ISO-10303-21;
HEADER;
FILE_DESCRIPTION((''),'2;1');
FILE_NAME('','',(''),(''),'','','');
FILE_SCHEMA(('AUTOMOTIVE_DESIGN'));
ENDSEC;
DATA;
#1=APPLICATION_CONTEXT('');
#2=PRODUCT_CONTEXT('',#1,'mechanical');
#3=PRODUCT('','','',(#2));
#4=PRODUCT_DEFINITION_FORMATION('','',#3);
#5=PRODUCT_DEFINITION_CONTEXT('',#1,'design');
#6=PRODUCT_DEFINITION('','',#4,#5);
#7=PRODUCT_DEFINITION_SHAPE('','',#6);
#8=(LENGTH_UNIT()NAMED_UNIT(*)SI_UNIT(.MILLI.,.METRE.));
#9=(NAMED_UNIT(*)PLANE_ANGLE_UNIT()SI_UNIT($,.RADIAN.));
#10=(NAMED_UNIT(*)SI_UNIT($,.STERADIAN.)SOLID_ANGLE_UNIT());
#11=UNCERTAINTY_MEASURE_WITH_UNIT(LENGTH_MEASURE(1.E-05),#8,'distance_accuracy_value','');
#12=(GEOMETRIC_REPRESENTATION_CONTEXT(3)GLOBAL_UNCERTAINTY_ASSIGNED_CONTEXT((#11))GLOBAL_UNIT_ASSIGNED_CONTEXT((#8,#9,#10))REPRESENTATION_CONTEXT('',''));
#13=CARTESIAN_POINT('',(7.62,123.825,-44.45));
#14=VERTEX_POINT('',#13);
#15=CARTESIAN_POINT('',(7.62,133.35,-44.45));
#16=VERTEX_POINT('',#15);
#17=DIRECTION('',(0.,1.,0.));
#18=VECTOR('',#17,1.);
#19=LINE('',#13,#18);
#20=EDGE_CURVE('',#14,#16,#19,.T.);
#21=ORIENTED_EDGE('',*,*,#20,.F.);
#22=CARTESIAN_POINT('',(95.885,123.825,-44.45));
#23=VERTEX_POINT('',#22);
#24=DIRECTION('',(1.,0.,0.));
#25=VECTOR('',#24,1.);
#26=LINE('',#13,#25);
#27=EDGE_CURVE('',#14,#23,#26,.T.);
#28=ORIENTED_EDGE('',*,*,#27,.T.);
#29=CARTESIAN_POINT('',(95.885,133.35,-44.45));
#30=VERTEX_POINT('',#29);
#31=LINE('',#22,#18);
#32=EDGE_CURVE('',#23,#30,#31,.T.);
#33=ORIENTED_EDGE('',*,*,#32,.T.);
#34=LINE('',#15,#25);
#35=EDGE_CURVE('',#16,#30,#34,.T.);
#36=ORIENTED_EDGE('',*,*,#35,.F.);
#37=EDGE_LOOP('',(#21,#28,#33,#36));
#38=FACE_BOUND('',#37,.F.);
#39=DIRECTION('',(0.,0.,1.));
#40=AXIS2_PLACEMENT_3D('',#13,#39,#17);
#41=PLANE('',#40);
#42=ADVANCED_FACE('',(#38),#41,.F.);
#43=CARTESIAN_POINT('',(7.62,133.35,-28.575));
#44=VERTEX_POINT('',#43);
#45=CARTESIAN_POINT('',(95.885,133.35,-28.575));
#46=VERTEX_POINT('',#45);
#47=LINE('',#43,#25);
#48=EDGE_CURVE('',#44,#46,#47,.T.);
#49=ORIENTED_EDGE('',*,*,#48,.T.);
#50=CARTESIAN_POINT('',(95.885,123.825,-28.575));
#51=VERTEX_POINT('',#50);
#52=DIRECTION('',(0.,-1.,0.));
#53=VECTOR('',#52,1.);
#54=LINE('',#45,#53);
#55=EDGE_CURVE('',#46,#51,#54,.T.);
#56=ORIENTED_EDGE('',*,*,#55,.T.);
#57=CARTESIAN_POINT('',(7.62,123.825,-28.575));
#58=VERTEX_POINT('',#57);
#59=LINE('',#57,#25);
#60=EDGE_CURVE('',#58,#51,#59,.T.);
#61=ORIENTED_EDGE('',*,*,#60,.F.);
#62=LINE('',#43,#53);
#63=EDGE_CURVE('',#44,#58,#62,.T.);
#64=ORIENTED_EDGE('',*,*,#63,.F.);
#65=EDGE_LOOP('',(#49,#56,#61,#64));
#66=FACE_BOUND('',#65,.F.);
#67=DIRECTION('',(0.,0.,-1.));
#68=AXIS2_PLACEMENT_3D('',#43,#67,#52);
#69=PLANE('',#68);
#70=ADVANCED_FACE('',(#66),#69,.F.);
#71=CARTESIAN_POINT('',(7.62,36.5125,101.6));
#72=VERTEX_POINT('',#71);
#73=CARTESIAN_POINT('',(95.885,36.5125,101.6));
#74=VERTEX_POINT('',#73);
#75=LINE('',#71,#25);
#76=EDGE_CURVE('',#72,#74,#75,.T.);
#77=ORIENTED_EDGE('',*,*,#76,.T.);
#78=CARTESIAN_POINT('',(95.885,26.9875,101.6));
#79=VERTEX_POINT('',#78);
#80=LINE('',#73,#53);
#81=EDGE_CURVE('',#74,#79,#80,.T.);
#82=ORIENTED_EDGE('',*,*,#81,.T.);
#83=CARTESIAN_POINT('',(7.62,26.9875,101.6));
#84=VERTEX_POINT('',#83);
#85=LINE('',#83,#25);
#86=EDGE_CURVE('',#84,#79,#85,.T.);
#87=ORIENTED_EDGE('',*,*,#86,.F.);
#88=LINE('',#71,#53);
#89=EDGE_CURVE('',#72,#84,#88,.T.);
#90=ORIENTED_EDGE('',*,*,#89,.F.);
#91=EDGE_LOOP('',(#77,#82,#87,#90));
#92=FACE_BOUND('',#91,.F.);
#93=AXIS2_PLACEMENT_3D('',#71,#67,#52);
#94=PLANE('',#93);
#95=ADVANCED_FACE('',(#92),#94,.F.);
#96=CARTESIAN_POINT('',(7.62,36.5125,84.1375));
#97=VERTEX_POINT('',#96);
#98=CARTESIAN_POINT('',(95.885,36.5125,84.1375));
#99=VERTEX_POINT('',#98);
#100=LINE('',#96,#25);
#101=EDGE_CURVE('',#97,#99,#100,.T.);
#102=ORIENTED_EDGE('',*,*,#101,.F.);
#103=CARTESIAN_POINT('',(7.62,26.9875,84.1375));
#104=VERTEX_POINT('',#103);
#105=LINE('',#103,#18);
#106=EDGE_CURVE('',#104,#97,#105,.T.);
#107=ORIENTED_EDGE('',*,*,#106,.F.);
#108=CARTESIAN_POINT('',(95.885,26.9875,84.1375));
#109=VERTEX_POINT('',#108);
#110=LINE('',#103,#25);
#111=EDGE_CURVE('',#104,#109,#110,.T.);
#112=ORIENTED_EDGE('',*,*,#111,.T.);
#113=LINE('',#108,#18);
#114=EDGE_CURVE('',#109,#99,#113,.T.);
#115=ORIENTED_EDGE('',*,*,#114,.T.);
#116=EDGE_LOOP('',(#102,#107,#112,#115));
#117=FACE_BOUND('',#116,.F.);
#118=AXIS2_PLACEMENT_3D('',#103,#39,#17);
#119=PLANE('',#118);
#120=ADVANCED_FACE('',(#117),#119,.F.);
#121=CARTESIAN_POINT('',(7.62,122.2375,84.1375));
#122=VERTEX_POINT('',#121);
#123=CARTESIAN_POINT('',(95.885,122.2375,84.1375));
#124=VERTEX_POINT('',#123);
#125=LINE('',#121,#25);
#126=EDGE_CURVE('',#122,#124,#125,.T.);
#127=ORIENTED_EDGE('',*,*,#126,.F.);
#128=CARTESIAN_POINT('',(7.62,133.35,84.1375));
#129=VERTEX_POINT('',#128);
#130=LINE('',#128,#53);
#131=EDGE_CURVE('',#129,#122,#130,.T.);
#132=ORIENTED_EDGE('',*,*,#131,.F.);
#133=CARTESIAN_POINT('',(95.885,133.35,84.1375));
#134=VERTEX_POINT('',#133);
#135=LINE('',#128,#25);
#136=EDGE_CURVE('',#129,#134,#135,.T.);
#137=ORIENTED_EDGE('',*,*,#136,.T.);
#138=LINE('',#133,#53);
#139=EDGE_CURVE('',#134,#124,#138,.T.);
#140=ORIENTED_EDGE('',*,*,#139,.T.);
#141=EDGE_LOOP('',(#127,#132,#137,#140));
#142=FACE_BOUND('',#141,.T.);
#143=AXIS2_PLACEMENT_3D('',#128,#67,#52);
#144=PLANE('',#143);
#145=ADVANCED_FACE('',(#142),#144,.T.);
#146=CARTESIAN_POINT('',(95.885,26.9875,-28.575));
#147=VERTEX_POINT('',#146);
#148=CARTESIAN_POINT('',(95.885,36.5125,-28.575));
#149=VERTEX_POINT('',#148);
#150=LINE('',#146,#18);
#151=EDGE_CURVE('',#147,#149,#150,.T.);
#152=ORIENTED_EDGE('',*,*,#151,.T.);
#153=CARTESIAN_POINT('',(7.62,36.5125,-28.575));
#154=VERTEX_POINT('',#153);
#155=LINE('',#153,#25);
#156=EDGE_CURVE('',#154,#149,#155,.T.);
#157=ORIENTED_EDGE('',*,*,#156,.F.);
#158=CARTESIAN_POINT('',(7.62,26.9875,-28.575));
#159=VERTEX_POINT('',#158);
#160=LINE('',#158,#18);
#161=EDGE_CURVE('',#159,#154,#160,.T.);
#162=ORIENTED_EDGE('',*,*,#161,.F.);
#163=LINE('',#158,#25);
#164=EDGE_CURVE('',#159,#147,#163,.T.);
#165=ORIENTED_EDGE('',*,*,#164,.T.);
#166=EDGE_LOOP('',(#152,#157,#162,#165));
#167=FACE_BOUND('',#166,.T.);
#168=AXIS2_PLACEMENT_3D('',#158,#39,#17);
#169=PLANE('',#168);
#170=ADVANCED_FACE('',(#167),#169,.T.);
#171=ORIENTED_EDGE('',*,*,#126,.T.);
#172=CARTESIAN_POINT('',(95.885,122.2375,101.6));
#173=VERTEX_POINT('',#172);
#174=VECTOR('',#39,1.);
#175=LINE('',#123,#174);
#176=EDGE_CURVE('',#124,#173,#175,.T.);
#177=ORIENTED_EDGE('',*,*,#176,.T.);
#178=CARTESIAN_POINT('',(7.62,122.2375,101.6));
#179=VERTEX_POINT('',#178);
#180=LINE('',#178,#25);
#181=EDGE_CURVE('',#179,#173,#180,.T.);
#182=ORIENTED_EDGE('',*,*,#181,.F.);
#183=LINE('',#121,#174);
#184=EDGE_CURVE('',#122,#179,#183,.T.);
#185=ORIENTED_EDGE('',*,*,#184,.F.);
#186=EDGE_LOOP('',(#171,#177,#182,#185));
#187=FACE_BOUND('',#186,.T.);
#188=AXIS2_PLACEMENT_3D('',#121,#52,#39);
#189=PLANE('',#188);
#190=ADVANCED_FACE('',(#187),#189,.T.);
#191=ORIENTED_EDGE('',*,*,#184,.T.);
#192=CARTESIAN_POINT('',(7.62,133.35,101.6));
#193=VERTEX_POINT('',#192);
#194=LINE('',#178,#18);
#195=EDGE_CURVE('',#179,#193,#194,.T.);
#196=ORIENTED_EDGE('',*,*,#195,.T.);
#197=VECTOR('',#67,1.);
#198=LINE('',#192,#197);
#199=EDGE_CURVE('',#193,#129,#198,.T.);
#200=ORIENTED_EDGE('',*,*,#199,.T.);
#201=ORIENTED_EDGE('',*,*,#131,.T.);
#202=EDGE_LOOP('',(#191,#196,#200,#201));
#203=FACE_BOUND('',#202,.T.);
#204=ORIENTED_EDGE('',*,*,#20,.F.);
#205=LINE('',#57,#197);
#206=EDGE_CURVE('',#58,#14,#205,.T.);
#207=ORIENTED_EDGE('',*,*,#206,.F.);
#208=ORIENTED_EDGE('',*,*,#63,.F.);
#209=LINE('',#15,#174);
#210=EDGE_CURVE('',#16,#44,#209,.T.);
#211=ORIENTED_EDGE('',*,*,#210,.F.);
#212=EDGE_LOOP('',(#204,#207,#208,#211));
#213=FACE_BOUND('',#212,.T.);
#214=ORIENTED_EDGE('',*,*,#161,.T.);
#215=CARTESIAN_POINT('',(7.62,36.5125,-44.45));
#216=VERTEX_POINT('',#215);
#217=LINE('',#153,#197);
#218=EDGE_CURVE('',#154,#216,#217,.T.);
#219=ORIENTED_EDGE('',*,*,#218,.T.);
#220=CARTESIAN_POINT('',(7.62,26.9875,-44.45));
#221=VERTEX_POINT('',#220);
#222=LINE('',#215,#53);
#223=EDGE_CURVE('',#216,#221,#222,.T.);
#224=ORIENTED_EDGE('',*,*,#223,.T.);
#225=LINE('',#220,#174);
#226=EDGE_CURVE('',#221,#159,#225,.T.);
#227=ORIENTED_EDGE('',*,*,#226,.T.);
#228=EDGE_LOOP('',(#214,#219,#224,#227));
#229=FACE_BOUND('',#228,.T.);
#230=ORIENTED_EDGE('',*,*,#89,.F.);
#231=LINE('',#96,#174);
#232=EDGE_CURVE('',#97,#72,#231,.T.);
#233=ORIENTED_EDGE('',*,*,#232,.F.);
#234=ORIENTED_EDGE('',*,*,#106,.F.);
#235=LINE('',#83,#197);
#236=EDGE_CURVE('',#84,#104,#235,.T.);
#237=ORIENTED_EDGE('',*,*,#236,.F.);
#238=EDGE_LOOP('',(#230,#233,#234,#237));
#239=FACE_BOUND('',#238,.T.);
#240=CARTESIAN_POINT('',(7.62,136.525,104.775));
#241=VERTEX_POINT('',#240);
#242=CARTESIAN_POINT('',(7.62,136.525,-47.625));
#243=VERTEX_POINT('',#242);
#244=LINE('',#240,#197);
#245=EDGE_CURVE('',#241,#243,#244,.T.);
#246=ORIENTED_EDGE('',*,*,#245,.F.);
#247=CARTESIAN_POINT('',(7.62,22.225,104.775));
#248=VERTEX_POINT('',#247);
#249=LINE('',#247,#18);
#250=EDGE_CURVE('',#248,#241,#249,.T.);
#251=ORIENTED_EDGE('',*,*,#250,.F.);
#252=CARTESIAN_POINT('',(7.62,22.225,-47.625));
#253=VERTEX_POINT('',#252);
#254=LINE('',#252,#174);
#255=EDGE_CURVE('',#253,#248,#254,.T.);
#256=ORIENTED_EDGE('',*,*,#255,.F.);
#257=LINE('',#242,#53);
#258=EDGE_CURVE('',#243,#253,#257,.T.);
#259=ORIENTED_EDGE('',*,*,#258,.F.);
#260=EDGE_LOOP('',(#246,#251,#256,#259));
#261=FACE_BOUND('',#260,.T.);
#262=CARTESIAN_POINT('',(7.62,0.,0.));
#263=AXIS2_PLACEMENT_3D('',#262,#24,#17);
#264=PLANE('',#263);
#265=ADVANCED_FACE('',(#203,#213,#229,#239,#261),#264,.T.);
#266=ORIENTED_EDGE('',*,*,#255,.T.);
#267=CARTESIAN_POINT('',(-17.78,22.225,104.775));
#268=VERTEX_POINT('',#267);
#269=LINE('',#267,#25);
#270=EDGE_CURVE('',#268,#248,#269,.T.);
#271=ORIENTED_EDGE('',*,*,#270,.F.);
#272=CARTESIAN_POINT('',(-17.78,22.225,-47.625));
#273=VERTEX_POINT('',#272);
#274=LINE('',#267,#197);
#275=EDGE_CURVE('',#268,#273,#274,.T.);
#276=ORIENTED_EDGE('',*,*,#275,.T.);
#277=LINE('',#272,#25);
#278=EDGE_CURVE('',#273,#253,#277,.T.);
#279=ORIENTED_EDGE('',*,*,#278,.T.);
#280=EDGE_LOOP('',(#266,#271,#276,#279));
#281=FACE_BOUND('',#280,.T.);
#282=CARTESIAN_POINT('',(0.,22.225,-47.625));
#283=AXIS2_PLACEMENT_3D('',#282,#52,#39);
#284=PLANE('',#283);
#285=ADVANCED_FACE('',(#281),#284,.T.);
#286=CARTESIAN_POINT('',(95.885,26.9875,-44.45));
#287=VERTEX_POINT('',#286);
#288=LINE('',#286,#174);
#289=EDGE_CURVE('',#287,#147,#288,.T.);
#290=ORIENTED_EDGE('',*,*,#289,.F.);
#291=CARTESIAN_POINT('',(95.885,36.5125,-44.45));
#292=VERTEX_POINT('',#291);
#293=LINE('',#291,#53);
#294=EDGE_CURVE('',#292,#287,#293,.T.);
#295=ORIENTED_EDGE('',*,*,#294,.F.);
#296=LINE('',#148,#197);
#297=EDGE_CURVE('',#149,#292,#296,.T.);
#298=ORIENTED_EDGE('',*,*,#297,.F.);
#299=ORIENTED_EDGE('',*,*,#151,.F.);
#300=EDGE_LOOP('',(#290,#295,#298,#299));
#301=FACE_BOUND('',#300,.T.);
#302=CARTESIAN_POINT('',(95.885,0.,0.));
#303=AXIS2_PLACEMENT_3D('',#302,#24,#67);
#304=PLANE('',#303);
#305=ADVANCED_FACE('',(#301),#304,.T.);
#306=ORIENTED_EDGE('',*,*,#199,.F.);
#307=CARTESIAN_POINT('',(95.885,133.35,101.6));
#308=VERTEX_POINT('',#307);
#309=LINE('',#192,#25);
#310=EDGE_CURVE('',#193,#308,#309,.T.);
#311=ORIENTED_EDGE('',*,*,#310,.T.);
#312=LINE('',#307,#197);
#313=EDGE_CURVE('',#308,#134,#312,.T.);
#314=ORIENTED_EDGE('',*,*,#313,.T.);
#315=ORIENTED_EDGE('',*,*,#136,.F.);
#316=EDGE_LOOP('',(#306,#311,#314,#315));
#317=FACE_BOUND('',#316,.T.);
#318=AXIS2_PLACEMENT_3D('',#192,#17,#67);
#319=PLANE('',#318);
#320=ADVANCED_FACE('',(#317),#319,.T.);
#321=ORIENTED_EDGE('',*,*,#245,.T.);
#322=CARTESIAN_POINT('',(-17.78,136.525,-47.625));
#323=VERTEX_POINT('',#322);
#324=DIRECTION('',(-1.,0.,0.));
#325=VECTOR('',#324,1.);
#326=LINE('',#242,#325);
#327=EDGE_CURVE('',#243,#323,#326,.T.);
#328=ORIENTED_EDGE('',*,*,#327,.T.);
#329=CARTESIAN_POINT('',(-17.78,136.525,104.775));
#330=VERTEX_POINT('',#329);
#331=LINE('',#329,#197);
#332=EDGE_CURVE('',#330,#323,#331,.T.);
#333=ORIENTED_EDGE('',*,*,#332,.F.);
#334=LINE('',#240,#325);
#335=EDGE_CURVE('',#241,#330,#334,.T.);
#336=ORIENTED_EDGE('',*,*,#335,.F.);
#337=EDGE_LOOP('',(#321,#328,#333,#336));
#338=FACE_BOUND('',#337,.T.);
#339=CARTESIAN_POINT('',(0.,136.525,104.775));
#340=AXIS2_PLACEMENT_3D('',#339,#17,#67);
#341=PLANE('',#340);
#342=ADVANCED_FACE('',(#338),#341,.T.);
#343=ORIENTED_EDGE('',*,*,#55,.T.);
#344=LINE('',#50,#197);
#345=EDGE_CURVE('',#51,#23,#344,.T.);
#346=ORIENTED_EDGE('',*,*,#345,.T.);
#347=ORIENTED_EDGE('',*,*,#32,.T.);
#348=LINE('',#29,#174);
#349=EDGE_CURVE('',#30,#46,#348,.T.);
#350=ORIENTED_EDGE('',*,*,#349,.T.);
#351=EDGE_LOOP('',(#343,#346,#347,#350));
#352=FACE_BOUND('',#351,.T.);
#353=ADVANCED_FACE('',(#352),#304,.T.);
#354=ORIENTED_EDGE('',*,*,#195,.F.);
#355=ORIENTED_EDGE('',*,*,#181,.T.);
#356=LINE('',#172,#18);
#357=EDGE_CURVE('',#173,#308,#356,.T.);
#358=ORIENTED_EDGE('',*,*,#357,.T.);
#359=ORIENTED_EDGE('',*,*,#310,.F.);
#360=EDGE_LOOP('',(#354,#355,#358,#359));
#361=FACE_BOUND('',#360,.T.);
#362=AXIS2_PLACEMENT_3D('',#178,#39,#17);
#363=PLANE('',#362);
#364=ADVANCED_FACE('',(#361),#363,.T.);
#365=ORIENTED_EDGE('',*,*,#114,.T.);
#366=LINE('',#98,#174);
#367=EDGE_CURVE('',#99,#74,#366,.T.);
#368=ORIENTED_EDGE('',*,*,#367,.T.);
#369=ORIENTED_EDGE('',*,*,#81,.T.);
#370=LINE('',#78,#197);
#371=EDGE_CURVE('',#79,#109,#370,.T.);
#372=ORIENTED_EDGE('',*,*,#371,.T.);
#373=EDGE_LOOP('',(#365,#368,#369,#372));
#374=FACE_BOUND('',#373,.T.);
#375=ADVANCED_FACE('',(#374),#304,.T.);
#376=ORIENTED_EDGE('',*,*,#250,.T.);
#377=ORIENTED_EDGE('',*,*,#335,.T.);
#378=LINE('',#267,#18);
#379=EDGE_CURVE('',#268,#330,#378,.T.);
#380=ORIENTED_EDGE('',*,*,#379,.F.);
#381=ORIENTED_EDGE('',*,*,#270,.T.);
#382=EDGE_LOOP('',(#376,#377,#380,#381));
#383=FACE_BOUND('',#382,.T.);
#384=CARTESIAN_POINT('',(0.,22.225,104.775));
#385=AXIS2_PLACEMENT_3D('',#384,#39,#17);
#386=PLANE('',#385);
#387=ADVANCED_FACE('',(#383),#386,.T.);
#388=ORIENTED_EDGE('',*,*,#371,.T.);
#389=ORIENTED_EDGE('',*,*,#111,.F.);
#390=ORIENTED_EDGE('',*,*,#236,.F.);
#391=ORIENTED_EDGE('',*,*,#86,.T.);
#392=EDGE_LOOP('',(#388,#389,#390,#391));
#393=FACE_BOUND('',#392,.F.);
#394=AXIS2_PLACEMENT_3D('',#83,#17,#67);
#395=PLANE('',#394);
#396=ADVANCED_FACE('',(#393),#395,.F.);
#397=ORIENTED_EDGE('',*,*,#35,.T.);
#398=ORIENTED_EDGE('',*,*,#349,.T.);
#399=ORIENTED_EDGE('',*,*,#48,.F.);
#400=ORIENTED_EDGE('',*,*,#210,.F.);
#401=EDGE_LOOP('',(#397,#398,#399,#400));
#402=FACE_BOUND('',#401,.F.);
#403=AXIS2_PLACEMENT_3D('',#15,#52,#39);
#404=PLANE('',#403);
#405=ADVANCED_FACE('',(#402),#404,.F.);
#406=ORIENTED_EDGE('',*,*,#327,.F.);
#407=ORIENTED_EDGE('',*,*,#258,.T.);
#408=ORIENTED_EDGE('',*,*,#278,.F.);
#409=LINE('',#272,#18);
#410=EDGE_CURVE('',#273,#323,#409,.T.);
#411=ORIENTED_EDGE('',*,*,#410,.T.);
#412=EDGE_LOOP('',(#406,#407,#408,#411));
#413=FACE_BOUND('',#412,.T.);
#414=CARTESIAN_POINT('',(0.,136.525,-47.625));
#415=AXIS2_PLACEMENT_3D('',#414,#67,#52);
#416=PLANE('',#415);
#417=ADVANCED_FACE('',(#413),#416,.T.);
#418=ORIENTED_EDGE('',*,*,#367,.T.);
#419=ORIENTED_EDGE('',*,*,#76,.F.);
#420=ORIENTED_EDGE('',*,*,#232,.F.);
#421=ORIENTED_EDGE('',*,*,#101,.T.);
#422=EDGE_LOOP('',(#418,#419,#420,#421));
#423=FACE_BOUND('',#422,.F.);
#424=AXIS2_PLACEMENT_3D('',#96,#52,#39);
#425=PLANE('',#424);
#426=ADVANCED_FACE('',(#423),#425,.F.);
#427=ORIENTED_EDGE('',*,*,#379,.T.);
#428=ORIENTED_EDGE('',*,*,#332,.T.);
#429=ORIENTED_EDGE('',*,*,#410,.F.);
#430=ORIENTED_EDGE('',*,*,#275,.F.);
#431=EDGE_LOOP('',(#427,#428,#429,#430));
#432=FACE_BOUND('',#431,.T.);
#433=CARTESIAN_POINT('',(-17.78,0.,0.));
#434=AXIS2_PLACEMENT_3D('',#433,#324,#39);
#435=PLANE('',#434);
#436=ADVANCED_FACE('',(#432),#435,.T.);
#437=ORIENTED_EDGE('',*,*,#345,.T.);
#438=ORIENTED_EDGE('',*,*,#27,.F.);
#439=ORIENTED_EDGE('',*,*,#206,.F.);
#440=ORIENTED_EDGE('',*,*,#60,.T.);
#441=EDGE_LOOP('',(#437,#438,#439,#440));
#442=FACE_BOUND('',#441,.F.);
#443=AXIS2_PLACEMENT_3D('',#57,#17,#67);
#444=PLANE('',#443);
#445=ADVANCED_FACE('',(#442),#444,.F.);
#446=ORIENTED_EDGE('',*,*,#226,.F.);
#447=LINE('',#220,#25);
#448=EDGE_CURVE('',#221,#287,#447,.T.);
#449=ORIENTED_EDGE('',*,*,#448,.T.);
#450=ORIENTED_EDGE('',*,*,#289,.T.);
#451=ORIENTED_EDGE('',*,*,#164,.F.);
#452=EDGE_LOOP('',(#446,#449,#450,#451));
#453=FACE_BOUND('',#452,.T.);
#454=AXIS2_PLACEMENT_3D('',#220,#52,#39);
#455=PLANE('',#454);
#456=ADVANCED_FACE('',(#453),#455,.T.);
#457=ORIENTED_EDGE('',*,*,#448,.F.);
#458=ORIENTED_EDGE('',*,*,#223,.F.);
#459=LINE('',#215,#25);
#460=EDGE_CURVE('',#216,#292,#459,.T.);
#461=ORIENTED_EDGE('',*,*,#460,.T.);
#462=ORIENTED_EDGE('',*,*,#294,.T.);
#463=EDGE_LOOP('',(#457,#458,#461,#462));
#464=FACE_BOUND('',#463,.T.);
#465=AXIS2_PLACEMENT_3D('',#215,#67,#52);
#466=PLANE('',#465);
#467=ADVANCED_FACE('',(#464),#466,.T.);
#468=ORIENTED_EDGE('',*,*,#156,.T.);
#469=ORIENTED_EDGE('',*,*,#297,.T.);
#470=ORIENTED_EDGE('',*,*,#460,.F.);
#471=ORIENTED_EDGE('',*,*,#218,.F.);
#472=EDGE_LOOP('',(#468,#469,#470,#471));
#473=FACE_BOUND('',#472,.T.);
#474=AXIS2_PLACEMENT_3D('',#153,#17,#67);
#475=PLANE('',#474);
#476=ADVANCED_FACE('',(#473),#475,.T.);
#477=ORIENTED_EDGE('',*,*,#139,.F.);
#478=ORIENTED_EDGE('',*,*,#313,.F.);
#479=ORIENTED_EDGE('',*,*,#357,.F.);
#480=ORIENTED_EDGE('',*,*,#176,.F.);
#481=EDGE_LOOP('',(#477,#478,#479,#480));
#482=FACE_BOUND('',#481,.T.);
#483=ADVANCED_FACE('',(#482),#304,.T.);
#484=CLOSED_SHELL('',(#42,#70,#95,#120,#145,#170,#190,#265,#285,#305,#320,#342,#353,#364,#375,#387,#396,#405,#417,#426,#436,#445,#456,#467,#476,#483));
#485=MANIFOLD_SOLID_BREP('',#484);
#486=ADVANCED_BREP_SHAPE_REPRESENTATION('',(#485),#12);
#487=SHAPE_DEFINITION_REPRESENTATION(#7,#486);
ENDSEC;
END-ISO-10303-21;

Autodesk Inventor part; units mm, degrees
ref_plane "YZ Plane" through (0, 0, 0) normal (1, 0, 0) x (0, 1, 0)
ref_plane "XZ Plane" through (0, 0, 0) normal (0, 1, 0) x (-1, 0, 0)
ref_plane "XY Plane" through (0, 0, 0) normal (0, 0, 1) x (1, 0, 0)
sketch "Sketch1" plane through (0, 0, 0) normal (1, 0, 0) x (0, 1, 0)
  line L0 (22.225, 104.775) -> (136.525, 104.775)
  line L1 (136.525, 104.775) -> (136.525, -47.625)
  line L2 (136.525, -47.625) -> (22.225, -47.625)
  line L3 (22.225, -47.625) -> (22.225, 104.775)
  point P0 (0, 0)
  dimension "d0" = 114.3
  dimension "d1" = 152.4
extrude "Extrusion1" add sketch "Sketch1" along normal blind 7.62
sketch "Sketch2" plane through (7.62, 0, 0) normal (1, 0, 0) x (0, 0, -1)
  line L0 (-101.6, 133.35) -> (-84.1375, 133.35)
  line L1 (-84.1375, 133.35) -> (-84.1375, 122.2375)
  line L2 (-84.1375, 122.2375) -> (-101.6, 122.2375)
  line L3 (-101.6, 122.2375) -> (-101.6, 133.35)
  line L4 (-101.6, 26.9875) -> (-84.1375, 26.9875)
  line L5 (-84.1375, 26.9875) -> (-84.1375, 36.5125)
  line L6 (-84.1375, 36.5125) -> (-101.6, 36.5125)
  line L7 (-101.6, 36.5125) -> (-101.6, 26.9875)
  line L8 (44.45, 133.35) -> (28.575, 133.35)
  line L9 (28.575, 133.35) -> (28.575, 123.825)
  line L10 (28.575, 123.825) -> (44.45, 123.825)
  line L11 (44.45, 123.825) -> (44.45, 133.35)
  line L12 (44.45, 26.9875) -> (28.575, 26.9875)
  line L13 (28.575, 26.9875) -> (28.575, 36.5125)
  line L14 (28.575, 36.5125) -> (44.45, 36.5125)
  line L15 (44.45, 36.5125) -> (44.45, 26.9875)
  point P0 (0, 0)
extrude "Extrusion2" add sketch "Sketch2" along normal blind 88.265
sketch "Sketch3" plane through (0, 0, 0) normal (-1, 0, 0) x (0, 0, 1)
  line L0 (-47.625, 22.225) -> (-47.625, 136.525) projected
  line L1 (-47.625, 136.525) -> (104.775, 136.525) projected
  line L2 (-47.625, 22.225) -> (-39.6875, 22.225)
  line L3 (-39.6875, 22.225) -> (-39.6875, 136.525)
  line L4 (-39.6875, 136.525) -> (-47.625, 136.525)
  line L5 (-47.625, 136.525) -> (-47.625, 22.225)
  line L6 (104.775, 136.525) -> (104.775, 22.225) projected
  line L7 (-47.625, 136.525) -> (104.775, 136.525)
  line L8 (104.775, 136.525) -> (104.775, 128.5875)
  line L9 (-47.625, 128.5875) -> (-47.625, 136.525)
  line L10 (104.775, 22.225) -> (-47.625, 22.225) projected
  line L11 (104.775, 136.525) -> (96.8375, 136.525)
  line L12 (96.8375, 22.225) -> (104.775, 22.225)
  line L13 (104.775, 22.225) -> (104.775, 136.525)
  line L14 (-47.625, 22.225) -> (104.775, 22.225)
  line L15 (104.775, 22.225) -> (104.775, 30.1625)
  line L16 (104.775, 30.1625) -> (-47.625, 30.1625)
  line L17 (-47.625, 30.1625) -> (-47.625, 22.225)
  line L18 (-47.625, 136.525) -> (104.775, 136.525)
  line L19 (104.775, 136.525) -> (104.775, 128.5875)
  line L20 (104.775, 128.5875) -> (-47.625, 128.5875)
  line L21 (-47.625, 128.5875) -> (-47.625, 136.525)
  point P0 (0, 0)
extrude "Extrusion3" add sketch "Sketch3" along normal blind 17.78
sketch "Sketch4" plane through (7.62, 22.225, -47.625) normal (0, -1, 0) x (1, 0, 0)
  point P0 (-7.62, 47.625)
properties part number "TABLE NEW"
